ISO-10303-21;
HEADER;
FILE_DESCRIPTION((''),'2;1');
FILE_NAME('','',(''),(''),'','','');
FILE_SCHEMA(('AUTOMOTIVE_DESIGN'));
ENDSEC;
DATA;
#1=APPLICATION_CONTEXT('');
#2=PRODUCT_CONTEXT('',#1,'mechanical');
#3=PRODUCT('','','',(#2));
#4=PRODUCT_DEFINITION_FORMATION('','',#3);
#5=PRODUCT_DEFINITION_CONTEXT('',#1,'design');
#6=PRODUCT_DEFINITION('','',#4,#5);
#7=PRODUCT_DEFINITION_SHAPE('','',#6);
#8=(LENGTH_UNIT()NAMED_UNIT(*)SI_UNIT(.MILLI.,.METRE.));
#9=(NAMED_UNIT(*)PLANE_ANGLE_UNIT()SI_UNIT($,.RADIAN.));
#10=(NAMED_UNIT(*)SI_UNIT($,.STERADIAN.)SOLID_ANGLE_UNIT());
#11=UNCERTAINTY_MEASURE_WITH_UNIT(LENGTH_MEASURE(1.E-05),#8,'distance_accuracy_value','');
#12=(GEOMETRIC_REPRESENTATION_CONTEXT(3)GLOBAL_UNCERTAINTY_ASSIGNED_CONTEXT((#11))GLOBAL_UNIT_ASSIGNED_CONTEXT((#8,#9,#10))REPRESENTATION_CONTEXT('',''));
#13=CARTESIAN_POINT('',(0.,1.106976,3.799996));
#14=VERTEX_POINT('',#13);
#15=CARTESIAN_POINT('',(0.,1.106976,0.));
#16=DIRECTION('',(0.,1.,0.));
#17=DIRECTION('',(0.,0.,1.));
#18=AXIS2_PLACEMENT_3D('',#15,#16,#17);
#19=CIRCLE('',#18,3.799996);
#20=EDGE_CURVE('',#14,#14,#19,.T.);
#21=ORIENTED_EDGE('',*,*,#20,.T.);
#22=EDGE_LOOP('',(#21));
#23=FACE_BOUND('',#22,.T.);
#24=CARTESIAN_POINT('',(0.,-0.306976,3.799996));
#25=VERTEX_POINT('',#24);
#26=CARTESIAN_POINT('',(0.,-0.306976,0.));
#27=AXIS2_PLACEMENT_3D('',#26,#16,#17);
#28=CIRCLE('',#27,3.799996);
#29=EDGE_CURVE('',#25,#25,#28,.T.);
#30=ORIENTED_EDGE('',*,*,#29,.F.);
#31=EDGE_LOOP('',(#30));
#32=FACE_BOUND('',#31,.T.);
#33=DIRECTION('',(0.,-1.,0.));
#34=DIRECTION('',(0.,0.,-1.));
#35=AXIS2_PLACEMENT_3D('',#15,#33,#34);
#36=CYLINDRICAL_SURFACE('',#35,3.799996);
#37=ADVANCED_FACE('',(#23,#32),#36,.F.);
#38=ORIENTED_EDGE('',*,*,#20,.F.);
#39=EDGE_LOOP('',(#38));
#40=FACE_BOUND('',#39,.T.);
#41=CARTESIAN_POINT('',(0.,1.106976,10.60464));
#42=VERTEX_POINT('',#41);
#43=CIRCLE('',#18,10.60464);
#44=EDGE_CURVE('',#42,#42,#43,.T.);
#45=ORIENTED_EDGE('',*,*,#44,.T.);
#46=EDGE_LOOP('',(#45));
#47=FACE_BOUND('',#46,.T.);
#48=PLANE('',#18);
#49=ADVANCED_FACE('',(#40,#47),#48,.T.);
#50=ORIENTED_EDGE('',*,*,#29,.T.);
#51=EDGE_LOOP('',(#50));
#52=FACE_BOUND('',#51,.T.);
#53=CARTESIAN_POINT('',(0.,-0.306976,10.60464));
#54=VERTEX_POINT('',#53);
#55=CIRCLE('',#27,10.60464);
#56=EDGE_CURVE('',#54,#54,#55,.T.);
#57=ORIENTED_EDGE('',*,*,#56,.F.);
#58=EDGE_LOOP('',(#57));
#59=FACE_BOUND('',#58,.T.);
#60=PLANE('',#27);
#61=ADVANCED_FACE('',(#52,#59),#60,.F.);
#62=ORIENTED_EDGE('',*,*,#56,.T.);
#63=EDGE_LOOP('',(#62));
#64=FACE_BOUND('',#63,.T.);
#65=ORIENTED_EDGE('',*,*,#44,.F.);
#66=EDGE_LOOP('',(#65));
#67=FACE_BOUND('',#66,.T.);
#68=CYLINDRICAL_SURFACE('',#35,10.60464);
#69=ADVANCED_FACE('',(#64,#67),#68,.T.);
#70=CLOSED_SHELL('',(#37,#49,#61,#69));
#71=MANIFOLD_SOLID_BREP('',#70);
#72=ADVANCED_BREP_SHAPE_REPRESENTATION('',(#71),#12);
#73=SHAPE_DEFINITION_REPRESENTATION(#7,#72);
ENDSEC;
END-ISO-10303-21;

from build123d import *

# Parameters (mm, degrees)
SCHIZZO1_R                   = 6
SCHIZZO1_R_2                 = 2.15
ESTRUSIONE_ESTRUSIONE1_DEPTH = 0.8
SCALE1_SCALE                 = 1.76744


with BuildPart() as part:
    # Schizzo1 → Estrusione-Estrusione1 (new body)
    with BuildSketch(Plane(origin=(0, 0, 0), x_dir=(1, 0, 0), z_dir=(0, 1, 0))):
        Circle(SCHIZZO1_R)
        Circle(SCHIZZO1_R_2, mode=Mode.SUBTRACT)
    extrude(amount=ESTRUSIONE_ESTRUSIONE1_DEPTH)


with BuildPart() as part_1:
    # Scale1: scaled about (0, 0.4, 0)
    add(part.part.scale(SCALE1_SCALE).moved(Location((0, -0.306976, 0))))


solid = part_1.part
